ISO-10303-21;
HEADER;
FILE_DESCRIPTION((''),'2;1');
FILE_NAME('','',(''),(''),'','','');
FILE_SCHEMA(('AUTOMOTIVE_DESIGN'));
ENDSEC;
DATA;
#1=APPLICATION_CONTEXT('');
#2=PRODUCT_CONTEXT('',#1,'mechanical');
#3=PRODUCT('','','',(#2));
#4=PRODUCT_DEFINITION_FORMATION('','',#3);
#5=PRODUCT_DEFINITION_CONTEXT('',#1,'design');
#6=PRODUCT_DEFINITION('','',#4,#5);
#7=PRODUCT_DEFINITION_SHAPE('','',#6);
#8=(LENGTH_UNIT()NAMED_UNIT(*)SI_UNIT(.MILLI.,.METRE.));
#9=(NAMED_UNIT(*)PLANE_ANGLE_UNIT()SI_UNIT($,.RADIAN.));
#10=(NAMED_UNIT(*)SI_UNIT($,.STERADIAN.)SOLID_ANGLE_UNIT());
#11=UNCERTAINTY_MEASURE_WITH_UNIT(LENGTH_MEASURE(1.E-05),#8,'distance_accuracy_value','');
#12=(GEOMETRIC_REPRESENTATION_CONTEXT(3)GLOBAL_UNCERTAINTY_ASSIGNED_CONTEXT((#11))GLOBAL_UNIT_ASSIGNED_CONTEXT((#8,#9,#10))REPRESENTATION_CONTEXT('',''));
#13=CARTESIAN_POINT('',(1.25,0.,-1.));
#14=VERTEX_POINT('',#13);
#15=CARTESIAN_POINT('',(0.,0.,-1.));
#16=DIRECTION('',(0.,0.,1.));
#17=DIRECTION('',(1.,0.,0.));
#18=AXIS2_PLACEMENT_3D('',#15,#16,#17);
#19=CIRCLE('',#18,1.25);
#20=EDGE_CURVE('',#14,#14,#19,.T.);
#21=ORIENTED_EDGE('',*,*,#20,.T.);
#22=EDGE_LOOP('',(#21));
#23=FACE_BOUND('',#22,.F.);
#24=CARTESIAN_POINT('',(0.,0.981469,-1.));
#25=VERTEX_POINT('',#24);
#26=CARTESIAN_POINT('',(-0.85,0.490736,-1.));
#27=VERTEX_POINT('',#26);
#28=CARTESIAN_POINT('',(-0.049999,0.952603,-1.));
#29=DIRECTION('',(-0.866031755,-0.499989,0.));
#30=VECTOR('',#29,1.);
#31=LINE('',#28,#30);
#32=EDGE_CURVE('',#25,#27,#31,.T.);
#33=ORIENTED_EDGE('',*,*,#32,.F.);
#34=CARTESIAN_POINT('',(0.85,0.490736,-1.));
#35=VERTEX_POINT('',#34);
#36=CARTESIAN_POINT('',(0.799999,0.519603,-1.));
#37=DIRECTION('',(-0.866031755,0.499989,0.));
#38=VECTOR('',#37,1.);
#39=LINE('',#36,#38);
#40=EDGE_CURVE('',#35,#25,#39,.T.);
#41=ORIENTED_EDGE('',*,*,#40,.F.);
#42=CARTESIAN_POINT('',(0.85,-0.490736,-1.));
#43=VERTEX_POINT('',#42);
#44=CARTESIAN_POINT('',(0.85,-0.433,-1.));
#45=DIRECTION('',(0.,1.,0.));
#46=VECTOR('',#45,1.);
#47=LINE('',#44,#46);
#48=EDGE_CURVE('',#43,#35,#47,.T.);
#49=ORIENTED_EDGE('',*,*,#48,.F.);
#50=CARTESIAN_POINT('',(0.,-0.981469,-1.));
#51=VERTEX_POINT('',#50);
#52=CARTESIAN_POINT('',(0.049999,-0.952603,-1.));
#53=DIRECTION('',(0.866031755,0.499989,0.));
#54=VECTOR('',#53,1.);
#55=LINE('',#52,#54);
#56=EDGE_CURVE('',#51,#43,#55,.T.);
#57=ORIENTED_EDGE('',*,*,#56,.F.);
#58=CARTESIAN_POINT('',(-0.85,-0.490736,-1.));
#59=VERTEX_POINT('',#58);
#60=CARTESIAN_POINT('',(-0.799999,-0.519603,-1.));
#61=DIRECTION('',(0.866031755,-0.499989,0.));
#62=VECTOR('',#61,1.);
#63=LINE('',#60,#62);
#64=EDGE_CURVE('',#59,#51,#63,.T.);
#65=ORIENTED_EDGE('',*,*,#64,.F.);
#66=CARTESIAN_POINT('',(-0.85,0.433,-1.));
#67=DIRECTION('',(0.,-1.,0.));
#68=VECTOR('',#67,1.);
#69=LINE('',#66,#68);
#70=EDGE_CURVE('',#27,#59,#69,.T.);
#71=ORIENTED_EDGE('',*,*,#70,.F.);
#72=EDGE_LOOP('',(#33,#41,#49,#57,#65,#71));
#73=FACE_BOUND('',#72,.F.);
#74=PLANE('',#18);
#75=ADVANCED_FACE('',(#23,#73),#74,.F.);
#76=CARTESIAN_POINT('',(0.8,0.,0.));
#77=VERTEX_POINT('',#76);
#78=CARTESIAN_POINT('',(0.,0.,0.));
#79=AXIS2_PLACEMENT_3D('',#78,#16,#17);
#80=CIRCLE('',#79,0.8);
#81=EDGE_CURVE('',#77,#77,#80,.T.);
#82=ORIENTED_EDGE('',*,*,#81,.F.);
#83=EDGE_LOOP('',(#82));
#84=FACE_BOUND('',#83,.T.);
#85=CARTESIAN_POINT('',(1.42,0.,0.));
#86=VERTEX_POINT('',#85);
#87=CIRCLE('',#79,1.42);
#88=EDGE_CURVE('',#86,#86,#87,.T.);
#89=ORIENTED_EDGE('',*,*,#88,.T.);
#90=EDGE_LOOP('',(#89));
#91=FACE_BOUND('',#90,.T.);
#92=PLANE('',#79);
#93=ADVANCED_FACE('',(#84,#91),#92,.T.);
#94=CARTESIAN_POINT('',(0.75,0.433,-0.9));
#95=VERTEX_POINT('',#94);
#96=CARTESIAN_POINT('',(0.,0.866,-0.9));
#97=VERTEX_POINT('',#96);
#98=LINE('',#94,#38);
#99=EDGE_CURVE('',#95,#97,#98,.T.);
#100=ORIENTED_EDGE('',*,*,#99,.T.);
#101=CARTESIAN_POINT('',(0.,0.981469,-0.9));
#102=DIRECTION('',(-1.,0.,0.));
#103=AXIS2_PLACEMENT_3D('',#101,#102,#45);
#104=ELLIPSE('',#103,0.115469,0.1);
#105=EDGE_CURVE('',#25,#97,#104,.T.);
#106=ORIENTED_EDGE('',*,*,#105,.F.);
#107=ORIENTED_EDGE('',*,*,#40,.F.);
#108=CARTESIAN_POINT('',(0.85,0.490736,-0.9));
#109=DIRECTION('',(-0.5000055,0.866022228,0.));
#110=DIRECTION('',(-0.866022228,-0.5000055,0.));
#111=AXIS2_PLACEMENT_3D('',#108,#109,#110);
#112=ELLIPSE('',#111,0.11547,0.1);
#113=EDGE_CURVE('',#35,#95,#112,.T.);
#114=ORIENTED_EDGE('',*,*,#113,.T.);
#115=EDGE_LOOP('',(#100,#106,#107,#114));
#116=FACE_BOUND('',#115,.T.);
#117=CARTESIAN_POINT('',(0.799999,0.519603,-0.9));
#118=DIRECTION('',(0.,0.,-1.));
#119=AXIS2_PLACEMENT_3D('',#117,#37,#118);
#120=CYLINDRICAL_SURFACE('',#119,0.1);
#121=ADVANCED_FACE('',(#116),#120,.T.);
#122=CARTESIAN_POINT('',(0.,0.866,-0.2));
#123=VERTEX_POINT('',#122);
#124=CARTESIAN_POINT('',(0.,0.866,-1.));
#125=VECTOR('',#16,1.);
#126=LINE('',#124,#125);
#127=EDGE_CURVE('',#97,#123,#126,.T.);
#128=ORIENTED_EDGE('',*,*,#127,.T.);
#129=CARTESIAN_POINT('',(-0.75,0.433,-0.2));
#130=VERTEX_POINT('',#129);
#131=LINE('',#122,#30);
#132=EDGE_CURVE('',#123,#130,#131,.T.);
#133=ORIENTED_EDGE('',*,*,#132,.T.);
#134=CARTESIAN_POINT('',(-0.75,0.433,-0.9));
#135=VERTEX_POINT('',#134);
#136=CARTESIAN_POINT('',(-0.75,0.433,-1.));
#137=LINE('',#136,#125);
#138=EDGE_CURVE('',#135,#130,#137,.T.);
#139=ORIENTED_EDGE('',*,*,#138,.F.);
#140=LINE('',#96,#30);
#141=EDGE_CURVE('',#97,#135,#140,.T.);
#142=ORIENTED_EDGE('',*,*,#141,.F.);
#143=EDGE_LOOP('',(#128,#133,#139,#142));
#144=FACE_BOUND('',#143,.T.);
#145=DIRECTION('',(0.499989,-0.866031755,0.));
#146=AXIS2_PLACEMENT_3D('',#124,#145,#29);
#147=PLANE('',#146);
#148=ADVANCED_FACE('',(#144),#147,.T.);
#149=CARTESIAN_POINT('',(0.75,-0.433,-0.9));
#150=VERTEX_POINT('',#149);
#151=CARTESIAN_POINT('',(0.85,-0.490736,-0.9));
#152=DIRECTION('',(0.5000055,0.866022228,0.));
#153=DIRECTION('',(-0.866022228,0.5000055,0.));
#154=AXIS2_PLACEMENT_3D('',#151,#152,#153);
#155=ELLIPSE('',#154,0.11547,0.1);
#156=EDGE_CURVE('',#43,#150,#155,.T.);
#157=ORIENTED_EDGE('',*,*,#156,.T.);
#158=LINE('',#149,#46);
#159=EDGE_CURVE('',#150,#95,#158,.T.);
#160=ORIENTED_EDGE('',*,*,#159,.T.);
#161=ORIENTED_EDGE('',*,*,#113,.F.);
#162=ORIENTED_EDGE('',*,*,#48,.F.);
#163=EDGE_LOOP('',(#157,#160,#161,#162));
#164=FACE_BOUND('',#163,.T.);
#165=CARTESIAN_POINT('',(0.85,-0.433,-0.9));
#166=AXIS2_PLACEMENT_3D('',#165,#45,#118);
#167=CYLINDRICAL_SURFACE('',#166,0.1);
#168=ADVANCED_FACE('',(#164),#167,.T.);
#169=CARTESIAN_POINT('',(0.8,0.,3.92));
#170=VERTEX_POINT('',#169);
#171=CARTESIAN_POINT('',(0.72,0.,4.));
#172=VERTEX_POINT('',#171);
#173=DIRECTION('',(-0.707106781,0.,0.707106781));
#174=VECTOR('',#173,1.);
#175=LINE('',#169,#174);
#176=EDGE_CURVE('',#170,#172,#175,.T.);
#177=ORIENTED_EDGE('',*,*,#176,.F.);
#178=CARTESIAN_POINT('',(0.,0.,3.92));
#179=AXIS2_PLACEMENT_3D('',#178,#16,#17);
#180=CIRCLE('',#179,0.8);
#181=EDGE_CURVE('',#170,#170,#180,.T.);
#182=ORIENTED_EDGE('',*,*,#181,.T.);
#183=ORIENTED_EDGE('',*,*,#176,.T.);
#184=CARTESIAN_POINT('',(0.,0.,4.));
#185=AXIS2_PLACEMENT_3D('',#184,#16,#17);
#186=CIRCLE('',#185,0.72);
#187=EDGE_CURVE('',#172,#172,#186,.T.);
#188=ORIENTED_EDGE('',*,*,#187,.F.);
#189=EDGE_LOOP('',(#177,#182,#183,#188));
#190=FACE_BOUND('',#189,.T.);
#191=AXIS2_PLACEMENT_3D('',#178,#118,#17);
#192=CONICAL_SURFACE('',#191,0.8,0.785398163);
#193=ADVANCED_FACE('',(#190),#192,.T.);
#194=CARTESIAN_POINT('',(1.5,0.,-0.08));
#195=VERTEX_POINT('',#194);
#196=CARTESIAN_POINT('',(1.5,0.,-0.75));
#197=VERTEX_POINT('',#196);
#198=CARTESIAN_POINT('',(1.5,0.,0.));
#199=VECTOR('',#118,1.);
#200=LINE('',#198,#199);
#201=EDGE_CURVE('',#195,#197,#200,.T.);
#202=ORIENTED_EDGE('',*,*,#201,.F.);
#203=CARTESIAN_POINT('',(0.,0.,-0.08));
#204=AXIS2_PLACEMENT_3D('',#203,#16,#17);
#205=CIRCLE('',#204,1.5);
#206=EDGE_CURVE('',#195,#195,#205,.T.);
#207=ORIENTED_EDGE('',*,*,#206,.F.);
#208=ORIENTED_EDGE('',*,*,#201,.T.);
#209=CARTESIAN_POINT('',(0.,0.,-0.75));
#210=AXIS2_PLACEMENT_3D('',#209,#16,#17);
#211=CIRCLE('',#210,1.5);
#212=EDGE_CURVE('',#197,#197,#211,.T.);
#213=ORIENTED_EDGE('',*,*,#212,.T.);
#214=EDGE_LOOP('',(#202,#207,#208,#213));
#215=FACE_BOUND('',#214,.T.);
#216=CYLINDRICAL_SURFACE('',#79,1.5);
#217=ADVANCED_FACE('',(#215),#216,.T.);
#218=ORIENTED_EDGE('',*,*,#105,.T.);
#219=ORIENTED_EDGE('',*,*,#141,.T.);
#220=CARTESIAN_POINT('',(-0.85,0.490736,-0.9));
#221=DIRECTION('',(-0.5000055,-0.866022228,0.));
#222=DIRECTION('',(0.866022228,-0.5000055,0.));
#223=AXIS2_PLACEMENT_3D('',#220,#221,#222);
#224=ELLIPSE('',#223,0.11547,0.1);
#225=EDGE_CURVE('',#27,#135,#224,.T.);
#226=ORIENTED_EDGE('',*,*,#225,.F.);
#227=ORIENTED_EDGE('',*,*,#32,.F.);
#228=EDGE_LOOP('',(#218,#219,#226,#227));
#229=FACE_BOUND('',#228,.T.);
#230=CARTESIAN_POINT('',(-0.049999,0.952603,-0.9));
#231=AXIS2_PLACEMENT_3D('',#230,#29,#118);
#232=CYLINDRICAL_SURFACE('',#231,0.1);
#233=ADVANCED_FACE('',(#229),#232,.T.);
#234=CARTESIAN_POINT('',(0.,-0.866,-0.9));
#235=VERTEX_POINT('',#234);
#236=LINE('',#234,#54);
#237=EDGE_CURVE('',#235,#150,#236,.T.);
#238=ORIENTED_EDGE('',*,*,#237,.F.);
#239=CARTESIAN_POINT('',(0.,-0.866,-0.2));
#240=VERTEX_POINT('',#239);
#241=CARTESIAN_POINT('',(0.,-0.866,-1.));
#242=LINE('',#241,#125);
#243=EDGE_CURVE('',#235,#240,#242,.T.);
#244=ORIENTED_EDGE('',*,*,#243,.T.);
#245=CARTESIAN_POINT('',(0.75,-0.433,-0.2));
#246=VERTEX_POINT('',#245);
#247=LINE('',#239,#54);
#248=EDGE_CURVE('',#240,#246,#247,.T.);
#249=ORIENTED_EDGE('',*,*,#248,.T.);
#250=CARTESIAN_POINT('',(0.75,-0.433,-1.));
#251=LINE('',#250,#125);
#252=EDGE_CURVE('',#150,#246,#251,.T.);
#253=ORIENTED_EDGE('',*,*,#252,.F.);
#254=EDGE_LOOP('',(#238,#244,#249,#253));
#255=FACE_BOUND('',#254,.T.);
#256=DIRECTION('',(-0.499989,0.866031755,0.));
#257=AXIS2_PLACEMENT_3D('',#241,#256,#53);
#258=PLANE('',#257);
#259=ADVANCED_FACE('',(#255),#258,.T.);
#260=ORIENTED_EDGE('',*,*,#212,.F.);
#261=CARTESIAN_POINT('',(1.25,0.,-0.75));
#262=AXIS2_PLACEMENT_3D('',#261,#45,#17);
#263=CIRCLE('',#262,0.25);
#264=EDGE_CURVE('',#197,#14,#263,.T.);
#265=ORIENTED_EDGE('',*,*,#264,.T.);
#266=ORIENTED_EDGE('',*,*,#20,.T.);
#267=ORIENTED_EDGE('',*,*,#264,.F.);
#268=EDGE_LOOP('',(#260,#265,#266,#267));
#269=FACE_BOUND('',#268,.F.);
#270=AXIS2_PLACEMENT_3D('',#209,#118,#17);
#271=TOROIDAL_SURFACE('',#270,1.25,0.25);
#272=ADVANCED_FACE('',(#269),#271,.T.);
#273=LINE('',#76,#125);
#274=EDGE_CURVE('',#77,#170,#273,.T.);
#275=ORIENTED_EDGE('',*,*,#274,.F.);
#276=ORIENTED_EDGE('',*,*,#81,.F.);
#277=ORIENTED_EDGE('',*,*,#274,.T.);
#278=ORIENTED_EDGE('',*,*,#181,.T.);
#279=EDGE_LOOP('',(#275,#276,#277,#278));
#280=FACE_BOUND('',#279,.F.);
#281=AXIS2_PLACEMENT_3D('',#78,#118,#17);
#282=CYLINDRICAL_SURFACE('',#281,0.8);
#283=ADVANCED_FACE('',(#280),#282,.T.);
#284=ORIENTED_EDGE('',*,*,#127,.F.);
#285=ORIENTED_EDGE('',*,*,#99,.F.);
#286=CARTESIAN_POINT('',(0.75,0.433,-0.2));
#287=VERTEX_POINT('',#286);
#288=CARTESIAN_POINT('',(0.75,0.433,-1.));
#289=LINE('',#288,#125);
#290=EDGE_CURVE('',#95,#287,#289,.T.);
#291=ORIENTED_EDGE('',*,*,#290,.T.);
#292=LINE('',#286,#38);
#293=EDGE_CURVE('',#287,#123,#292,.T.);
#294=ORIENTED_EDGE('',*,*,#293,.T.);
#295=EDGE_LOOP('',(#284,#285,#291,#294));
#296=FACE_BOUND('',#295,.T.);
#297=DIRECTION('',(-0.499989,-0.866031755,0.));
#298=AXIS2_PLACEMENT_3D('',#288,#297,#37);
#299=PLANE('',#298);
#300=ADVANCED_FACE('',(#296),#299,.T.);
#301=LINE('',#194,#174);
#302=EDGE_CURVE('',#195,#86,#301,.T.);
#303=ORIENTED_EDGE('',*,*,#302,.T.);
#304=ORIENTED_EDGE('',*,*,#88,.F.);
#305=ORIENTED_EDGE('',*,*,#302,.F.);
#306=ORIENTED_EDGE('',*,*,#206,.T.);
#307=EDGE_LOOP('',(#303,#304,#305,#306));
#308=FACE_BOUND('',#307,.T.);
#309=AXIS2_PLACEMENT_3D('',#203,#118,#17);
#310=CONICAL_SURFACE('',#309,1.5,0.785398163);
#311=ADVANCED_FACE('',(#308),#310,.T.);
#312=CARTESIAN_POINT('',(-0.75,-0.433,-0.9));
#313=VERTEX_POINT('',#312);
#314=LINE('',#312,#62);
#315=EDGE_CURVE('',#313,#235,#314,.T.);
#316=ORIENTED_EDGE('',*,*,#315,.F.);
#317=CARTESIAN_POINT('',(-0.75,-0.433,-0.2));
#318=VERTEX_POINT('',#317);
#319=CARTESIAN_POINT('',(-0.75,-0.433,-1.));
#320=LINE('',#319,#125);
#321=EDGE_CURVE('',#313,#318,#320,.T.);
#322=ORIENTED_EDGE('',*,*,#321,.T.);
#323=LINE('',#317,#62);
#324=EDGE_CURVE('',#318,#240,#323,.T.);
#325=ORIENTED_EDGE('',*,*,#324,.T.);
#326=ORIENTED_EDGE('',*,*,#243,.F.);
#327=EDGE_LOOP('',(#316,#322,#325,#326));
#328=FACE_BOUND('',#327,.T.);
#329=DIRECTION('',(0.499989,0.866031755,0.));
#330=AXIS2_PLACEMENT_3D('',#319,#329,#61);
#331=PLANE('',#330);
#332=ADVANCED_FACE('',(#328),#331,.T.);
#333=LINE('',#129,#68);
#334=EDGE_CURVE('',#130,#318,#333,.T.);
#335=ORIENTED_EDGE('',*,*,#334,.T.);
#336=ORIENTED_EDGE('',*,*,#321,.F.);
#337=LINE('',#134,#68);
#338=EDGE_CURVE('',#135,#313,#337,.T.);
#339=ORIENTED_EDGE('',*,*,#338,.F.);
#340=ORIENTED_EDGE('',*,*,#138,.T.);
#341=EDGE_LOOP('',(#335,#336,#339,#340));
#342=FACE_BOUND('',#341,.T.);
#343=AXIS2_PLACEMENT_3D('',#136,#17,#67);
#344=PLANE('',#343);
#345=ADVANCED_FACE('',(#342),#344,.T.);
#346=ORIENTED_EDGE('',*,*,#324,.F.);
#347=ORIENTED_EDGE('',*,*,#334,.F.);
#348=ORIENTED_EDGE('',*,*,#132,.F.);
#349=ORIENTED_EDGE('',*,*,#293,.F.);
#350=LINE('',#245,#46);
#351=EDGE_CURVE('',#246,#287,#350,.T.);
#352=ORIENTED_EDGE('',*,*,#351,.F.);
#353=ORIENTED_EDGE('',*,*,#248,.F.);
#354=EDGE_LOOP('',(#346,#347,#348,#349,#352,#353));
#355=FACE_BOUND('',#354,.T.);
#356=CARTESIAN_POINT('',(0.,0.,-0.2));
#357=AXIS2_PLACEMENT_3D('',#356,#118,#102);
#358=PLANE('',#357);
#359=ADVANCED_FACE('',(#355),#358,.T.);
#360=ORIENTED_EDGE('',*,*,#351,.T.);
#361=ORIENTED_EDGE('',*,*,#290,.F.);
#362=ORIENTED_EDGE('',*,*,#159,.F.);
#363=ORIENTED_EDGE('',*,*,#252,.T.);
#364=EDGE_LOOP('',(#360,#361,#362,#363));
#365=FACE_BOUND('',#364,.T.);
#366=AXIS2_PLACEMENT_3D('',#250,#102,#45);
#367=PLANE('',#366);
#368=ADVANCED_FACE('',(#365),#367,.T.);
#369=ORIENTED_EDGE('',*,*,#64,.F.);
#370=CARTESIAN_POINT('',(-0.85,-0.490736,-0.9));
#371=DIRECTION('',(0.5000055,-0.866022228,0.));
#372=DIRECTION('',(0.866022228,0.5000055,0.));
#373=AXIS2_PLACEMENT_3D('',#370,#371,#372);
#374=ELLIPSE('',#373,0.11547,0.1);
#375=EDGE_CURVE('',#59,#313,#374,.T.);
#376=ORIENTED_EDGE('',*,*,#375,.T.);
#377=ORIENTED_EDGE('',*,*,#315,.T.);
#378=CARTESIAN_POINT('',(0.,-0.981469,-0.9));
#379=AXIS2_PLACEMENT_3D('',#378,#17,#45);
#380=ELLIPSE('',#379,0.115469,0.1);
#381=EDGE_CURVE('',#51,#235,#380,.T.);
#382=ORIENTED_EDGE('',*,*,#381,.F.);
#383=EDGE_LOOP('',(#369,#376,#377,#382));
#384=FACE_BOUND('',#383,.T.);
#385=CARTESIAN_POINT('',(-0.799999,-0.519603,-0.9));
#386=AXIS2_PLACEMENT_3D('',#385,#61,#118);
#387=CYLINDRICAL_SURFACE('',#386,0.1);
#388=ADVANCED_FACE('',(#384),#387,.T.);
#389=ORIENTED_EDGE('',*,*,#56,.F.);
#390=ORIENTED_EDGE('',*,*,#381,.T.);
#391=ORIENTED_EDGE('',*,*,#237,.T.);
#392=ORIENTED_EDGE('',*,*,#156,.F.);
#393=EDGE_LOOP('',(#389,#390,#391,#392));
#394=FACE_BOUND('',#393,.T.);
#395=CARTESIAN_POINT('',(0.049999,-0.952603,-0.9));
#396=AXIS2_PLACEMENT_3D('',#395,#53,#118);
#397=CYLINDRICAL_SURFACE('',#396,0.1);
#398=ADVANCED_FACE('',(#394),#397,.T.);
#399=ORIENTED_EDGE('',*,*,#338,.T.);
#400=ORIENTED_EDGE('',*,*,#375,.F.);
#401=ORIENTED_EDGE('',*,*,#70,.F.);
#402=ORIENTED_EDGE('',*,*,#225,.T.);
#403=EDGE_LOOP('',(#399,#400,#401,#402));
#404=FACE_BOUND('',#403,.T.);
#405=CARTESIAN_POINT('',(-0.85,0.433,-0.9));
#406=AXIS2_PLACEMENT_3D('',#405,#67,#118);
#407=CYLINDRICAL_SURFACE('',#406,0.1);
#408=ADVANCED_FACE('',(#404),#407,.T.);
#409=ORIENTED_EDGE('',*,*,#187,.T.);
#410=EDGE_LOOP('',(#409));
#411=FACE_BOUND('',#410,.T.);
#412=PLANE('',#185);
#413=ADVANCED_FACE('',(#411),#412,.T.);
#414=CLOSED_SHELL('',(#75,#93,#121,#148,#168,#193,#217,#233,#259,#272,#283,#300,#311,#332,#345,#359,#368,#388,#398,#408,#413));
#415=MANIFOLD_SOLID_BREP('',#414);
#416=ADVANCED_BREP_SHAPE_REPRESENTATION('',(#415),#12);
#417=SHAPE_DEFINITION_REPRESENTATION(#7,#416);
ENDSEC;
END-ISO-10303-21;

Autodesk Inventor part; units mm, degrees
ref_plane "YZ Plane" through (0, 0, 0) normal (1, 0, 0) x (0, 1, 0)
ref_plane "XZ Plane" through (0, 0, 0) normal (0, 1, 0) x (-1, 0, 0)
ref_plane "XY Plane" through (0, 0, 0) normal (0, 0, 1) x (1, 0, 0)
sketch "Sketch1" plane through (0, 0, 0) normal (0, 0, 1) x (1, 0, 0)
  circle A0 centre (0, 0) radius 0.8
  circle A1 centre (0, 0) radius 1.5
  dimension "d0" = 1.6
  dimension "d1" = 3
extrude "Extrusion1" add sketch "Sketch1" along normal blind 4 contours A0
extrude "Extrusion2" add sketch "Sketch1" against normal blind 1 contours A0 | A1
sketch "Sketch2" plane through (0, 0, -1) normal (0, 0, -1) x (-1, 0, 0)
  line L0 (-0.75, 0.433) -> (0, 0.866)
  line L1 (0, 0.866) -> (0.75, 0.433)
  line L2 (0.75, 0.433) -> (0.75, -0.433)
  line L3 (0.75, -0.433) -> (0, -0.866)
  line L4 (0, -0.866) -> (-0.75, -0.433)
  line L5 (-0.75, -0.433) -> (-0.75, 0.433)
  point P0 (0, 0)
  point P1 (0, 0)
  dimension "d6" = 1.5
extrude "Extrusion3" cut sketch "Sketch2" against normal blind 0.8
fillet "Fillet1" radius 0.25 1 edges at (-1.5, 0, -1)
fillet "Fillet1" radius 0.1 6 edges at (0.375, 0.6495, -1) (0.75, 0, -1) (0.375, -0.6495, -1) (-0.375, -0.6495, -1) (-0.75, 0, -1) (-0.375, 0.6495, -1)
thread "Thread1" size "M1.6x0.35" class "6g" standard "ANSI Metric M Profile" full length
chamfer "Chamfer1" distance 0.08 angle 45 2 edges at (-0.8, 0, 4) (-1.5, 0, 0)
properties part number "CNCT_STEEL_M1,6x4_Screw" material "Stainless Steel"
